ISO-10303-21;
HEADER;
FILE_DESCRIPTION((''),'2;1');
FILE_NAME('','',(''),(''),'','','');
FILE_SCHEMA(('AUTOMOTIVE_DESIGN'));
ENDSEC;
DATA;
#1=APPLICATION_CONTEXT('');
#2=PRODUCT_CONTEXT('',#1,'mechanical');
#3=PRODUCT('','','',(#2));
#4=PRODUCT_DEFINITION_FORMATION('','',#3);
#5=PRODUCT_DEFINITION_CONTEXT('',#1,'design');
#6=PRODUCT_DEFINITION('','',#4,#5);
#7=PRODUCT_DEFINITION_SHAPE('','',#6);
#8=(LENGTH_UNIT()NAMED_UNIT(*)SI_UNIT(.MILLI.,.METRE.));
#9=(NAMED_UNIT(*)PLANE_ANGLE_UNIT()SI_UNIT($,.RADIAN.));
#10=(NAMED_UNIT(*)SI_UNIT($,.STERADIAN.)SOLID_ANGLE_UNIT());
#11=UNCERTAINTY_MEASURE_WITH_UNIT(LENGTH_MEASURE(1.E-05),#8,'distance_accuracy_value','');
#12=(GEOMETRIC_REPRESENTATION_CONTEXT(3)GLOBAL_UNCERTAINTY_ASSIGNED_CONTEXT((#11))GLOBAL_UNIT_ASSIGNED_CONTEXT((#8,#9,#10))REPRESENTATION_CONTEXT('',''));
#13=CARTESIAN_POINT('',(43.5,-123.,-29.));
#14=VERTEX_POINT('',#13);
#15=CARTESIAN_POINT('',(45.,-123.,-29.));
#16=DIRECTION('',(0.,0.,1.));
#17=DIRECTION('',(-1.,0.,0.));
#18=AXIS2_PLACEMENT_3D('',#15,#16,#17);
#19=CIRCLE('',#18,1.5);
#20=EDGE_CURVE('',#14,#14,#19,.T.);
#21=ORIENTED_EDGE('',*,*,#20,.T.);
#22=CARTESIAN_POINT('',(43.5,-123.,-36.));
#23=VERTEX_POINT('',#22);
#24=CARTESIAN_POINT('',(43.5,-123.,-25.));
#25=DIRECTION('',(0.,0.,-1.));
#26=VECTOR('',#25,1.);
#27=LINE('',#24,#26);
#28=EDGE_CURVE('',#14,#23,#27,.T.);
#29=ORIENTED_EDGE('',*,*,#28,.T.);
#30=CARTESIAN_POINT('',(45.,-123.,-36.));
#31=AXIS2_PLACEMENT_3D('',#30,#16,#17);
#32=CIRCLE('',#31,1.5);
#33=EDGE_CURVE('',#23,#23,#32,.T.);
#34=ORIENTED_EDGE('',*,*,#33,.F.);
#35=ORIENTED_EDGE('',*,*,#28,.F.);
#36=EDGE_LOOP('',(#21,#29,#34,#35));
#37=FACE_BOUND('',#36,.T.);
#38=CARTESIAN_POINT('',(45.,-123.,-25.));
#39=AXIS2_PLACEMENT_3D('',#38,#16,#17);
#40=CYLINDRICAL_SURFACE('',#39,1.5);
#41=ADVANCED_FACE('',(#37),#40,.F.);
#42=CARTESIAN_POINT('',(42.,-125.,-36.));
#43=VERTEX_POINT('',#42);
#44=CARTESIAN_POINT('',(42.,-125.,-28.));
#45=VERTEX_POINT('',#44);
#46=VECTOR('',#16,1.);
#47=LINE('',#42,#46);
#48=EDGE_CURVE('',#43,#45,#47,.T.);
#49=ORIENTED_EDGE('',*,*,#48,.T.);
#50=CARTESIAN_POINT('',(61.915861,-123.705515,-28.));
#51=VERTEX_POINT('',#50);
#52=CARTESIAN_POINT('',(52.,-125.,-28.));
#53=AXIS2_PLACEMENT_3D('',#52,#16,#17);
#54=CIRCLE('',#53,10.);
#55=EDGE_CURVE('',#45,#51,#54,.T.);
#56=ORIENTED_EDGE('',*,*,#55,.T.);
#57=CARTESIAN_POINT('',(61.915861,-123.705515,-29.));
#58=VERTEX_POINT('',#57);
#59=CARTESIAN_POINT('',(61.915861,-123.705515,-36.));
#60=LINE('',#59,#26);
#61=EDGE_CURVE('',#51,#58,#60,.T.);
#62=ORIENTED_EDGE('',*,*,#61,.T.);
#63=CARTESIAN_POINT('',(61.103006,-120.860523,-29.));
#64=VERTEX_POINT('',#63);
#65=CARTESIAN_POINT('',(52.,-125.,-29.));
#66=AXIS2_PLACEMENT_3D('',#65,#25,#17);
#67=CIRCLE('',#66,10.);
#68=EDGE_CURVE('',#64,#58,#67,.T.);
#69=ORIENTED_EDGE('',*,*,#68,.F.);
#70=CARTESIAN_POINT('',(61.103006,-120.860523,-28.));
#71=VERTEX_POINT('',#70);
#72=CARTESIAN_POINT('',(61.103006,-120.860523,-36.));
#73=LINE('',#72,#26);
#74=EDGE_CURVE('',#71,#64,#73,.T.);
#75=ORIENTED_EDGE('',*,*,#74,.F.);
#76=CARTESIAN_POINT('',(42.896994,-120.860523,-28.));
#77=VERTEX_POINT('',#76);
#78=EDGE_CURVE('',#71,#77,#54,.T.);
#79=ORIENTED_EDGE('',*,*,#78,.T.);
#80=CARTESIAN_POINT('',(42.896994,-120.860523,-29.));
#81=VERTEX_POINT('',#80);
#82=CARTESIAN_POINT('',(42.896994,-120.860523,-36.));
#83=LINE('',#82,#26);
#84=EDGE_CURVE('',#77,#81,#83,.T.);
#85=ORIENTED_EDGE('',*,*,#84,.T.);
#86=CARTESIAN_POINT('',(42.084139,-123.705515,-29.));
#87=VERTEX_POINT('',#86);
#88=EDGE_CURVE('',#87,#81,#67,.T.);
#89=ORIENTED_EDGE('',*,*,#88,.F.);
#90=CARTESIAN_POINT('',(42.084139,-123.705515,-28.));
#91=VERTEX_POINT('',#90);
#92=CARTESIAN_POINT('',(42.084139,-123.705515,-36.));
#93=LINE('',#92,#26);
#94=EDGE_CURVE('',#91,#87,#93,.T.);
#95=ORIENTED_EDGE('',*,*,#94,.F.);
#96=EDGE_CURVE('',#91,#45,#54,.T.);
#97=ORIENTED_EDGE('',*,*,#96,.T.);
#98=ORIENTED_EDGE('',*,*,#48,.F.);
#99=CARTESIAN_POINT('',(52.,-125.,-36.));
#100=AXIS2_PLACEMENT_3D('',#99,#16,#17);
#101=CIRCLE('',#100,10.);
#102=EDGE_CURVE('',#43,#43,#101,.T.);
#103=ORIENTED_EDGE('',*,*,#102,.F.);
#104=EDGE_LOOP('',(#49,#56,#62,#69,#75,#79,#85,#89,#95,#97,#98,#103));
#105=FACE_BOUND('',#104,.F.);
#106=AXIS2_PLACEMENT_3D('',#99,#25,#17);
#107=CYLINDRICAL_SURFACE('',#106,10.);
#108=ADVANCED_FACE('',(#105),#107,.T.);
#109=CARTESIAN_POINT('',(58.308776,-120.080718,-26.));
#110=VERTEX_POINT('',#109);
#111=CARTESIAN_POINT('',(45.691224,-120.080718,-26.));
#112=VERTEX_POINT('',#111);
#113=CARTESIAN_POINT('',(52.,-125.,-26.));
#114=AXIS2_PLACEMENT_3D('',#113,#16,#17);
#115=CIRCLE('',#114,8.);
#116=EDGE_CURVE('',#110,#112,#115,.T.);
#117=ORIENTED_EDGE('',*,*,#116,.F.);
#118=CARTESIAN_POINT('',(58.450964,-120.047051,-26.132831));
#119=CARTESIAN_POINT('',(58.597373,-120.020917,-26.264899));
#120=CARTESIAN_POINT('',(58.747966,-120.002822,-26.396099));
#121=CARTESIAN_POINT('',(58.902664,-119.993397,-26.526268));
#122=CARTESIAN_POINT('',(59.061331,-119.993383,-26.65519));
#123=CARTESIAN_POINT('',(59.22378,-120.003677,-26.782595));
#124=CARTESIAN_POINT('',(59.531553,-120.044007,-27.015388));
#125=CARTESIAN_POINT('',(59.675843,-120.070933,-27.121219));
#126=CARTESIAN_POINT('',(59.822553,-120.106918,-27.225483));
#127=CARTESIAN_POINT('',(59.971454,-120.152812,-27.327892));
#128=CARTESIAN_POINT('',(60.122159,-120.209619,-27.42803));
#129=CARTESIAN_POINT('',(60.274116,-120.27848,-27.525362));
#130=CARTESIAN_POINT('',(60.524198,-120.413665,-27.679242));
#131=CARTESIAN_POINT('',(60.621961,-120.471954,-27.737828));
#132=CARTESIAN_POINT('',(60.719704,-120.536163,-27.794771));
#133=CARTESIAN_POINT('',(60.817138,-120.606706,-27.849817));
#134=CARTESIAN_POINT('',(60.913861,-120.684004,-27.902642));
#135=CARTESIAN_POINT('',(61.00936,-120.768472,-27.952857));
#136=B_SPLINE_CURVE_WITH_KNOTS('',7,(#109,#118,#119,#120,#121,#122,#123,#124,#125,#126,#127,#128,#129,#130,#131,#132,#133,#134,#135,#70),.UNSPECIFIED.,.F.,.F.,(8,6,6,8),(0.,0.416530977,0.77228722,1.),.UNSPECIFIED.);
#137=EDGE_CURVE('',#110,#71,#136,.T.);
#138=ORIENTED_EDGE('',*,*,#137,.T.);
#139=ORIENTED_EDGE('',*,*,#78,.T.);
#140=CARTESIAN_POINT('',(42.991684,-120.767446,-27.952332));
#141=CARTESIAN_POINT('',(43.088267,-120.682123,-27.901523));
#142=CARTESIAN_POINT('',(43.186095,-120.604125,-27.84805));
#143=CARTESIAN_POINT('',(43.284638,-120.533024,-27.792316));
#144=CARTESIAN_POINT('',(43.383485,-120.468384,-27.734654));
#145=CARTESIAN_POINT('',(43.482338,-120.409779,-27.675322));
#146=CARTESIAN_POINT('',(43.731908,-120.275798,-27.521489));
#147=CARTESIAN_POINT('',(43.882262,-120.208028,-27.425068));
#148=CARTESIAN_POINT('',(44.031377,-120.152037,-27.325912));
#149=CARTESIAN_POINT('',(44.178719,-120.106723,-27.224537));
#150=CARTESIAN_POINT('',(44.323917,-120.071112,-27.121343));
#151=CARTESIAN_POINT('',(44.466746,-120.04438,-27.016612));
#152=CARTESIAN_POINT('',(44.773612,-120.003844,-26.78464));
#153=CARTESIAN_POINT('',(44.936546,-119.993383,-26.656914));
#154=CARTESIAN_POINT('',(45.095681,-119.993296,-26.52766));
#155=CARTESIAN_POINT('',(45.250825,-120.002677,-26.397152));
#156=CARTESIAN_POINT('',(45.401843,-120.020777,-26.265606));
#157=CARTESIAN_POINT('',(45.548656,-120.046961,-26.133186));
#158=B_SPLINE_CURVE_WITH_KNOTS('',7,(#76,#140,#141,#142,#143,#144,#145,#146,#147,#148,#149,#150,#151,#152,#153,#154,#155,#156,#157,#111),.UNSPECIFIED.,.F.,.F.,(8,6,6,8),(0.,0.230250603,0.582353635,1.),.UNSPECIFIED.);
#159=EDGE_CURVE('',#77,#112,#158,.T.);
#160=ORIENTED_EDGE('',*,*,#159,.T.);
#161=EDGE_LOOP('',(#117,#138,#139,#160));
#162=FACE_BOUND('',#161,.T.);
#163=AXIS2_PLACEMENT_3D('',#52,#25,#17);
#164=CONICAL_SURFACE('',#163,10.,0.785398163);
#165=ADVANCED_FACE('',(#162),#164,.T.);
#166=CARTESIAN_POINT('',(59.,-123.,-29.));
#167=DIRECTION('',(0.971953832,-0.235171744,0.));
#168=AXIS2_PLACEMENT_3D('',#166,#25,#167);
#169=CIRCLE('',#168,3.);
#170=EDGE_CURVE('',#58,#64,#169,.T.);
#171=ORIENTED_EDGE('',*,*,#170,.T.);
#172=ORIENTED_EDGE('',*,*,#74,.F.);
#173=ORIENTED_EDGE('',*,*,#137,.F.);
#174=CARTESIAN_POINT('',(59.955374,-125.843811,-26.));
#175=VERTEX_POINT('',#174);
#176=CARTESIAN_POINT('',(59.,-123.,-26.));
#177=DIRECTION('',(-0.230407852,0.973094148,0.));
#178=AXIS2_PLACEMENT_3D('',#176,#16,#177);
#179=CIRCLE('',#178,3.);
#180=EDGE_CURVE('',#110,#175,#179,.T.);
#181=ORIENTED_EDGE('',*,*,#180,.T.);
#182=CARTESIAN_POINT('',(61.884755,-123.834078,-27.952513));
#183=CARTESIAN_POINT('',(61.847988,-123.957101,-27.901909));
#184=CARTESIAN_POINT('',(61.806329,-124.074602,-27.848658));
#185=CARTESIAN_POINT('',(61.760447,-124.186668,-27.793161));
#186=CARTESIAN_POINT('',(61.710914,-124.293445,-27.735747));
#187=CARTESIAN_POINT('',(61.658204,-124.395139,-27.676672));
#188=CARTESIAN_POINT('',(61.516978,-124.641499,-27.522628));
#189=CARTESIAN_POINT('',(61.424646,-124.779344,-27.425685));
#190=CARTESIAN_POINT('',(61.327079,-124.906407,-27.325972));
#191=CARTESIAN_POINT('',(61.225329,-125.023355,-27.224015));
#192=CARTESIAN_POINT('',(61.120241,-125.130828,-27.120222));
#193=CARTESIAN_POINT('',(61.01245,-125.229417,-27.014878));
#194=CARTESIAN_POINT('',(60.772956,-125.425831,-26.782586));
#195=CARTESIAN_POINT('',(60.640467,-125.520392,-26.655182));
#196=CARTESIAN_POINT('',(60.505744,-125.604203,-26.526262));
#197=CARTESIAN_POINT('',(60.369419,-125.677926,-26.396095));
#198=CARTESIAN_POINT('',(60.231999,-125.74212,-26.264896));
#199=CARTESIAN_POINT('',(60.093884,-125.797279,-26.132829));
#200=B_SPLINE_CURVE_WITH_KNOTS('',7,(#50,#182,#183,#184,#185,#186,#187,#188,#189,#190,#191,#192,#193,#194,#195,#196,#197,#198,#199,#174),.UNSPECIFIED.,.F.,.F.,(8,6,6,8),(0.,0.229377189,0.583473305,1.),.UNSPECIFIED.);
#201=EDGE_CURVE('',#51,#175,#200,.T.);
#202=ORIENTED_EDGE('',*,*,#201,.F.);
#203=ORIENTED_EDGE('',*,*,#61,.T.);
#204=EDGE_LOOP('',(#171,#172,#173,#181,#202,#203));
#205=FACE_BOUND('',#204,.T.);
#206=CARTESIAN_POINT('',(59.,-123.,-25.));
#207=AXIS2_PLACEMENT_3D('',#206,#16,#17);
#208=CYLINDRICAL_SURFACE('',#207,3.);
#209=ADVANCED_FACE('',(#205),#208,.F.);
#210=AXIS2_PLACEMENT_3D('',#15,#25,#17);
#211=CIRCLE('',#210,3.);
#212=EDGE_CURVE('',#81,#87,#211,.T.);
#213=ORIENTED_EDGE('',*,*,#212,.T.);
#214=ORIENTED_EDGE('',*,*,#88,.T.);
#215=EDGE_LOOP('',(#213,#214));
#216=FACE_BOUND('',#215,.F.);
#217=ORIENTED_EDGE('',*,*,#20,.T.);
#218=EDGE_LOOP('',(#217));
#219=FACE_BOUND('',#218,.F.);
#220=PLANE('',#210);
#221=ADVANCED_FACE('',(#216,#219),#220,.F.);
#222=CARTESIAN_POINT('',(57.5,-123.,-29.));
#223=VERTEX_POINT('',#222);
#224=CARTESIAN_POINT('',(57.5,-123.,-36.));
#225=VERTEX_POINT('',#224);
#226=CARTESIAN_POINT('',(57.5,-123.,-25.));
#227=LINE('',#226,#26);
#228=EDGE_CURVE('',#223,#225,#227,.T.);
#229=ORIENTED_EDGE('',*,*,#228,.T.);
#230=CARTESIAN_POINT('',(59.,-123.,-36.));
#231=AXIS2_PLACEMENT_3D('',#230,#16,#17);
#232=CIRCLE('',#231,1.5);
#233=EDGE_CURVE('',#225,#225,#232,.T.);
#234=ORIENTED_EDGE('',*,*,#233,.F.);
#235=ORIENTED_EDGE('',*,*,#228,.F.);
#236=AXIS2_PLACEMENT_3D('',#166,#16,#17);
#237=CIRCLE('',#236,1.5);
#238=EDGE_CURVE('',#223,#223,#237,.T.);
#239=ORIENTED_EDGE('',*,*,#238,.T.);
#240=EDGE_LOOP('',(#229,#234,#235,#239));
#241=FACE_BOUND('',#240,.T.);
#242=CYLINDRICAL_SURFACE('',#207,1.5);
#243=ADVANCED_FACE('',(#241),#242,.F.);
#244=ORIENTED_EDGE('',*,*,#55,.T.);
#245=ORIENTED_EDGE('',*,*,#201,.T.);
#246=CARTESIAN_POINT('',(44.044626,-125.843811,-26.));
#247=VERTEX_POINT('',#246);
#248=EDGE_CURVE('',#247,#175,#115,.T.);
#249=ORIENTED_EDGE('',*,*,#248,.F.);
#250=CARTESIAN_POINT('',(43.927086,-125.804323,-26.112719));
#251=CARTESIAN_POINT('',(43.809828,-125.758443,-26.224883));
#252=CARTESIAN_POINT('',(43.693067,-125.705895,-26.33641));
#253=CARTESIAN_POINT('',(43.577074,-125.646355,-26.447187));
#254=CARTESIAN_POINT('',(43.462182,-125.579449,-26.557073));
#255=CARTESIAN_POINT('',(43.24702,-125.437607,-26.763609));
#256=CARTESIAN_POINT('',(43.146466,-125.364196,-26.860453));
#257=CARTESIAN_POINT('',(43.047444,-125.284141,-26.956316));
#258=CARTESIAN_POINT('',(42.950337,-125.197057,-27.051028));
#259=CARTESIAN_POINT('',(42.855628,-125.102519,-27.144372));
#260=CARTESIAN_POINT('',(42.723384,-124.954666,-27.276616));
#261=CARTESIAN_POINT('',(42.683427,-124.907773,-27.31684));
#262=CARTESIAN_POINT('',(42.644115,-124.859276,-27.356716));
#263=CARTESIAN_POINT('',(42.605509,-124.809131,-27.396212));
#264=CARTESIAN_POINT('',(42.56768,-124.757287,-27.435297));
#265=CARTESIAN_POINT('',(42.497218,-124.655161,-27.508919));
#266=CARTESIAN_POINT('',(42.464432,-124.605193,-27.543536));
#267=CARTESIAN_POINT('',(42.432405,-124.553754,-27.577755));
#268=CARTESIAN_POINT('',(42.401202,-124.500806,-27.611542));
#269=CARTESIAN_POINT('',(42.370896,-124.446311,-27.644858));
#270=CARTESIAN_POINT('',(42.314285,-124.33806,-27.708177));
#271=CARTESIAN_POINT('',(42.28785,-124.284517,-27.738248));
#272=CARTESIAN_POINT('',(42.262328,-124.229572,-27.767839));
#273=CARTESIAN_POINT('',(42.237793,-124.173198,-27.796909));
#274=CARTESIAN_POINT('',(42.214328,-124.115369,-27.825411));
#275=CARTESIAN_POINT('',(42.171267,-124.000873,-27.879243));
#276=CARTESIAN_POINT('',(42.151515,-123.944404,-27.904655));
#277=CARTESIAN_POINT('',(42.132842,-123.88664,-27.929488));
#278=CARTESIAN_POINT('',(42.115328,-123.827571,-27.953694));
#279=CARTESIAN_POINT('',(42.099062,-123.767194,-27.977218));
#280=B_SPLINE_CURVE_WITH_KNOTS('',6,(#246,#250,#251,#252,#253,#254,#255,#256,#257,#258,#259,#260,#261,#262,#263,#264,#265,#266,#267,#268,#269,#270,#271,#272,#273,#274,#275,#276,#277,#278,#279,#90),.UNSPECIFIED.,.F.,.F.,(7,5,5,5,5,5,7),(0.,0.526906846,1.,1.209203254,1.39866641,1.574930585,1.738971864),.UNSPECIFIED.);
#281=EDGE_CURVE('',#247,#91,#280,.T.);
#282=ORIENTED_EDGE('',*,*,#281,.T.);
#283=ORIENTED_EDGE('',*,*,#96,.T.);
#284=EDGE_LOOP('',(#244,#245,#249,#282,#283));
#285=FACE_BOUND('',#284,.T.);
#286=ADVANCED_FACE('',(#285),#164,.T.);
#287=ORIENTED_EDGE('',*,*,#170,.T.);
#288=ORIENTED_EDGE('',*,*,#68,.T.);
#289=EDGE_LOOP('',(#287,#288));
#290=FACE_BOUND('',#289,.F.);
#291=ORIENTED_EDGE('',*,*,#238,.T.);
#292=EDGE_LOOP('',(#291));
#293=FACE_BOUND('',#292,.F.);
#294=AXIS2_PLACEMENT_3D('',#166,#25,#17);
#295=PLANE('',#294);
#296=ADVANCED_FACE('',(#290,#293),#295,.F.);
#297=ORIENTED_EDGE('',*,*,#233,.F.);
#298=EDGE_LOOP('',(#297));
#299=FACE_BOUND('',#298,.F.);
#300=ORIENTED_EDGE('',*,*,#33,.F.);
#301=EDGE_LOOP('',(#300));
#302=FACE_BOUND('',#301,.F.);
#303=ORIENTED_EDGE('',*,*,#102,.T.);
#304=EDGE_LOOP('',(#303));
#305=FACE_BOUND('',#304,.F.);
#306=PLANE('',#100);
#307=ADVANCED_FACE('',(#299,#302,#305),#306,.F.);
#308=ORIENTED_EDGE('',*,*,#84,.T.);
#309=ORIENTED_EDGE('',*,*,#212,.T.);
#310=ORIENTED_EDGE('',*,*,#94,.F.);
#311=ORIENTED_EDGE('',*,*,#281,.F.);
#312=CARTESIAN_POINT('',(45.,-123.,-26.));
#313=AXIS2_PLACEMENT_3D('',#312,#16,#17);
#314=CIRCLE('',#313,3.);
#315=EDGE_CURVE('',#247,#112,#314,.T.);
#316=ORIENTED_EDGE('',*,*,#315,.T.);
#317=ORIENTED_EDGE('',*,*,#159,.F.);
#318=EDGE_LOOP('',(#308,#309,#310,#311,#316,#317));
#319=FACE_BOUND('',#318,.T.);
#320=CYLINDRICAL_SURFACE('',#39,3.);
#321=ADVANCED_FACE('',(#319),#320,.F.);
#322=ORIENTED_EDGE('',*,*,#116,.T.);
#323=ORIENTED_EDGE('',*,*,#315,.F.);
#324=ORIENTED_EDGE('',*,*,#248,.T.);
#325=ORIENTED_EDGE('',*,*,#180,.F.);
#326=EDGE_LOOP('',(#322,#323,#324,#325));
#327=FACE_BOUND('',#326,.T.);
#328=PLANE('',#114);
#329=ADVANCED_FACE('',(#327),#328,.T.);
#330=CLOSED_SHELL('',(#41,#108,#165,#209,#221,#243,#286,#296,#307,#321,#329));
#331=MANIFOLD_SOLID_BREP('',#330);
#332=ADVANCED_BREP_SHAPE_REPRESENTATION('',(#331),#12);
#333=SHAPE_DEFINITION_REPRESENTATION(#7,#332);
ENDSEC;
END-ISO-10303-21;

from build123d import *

# Parameters (mm, degrees)
CYLINDER2357_R              = 1.5
CYLINDER2357_DEPTH          = 20
CYLINDER2367_R              = 1.5
CYLINDER2367_DEPTH          = 20
CYLINDER2363_R              = 1.5
CYLINDER2363_DEPTH          = 20
CYLINDER2378_R              = 1.5
CYLINDER2378_DEPTH          = 20
COMPOUND999_PLACEMENT_ANGLE = 90
CYLINDER2373_R              = 3
CYLINDER2373_DEPTH          = 4
CYLINDER2360_R              = 3
CYLINDER2360_DEPTH          = 4
CYLINDER2362_R              = 3
CYLINDER2362_DEPTH          = 4
CYLINDER2361_R              = 3
CYLINDER2361_DEPTH          = 4
COMPOUND994_PLACEMENT_ANGLE = 90
CYLINDER2359_R              = 10
CYLINDER2359_DEPTH          = 10
CHAMFER057_SIZE             = 2
CUT596_PLACEMENT_ANGLE      = 180


with BuildPart() as v_lec2357:
    # Cylinder2357 → Cylinder2357 (new body)
    with BuildSketch(Plane(origin=(-7, -34, 37), x_dir=(1, 0, 0), z_dir=(0, -1, 0))):
        Circle(CYLINDER2357_R)
    extrude(amount=CYLINDER2357_DEPTH)


with BuildPart() as v_lec2367:
    # Cylinder2367 → Cylinder2367 (new body)
    with BuildSketch(Plane(origin=(7, -34, 73), x_dir=(1, 0, 0), z_dir=(0, -1, 0))):
        Circle(CYLINDER2367_R)
    extrude(amount=CYLINDER2367_DEPTH)


with BuildPart() as v_lec2363:
    # Cylinder2363 → Cylinder2363 (new body)
    with BuildSketch(Plane(origin=(-7, -34, 73), x_dir=(1, 0, 0), z_dir=(0, -1, 0))):
        Circle(CYLINDER2363_R)
    extrude(amount=CYLINDER2363_DEPTH)


with BuildPart() as compound999:
    # Cylinder2378 → Cylinder2378 (new body)
    with BuildSketch(Plane(origin=(7, -34, 37), x_dir=(1, 0, 0), z_dir=(0, -1, 0))):
        Circle(CYLINDER2378_R)
    extrude(amount=CYLINDER2378_DEPTH)

    # Compound999: union Válec2357, Válec2367, Válec2363
    add(v_lec2357.part)
    add(v_lec2367.part)
    add(v_lec2363.part)


with BuildPart() as compound999_1:
    # Compound999 placement: moved
    add(compound999.part.moved(Location((0, 141, 45))).rotate(Axis((0, 141, 45), (1, 0, 0)), COMPOUND999_PLACEMENT_ANGLE))


with BuildPart() as v_lec2373:
    # Cylinder2373 → Cylinder2373 (new body)
    with BuildSketch(Plane(origin=(-7, -34, 37), x_dir=(1, 0, 0), z_dir=(0, -1, 0))):
        Circle(CYLINDER2373_R)
    extrude(amount=CYLINDER2373_DEPTH)


with BuildPart() as v_lec2360:
    # Cylinder2360 → Cylinder2360 (new body)
    with BuildSketch(Plane(origin=(7, -34, 73), x_dir=(1, 0, 0), z_dir=(0, -1, 0))):
        Circle(CYLINDER2360_R)
    extrude(amount=CYLINDER2360_DEPTH)


with BuildPart() as v_lec2362:
    # Cylinder2362 → Cylinder2362 (new body)
    with BuildSketch(Plane(origin=(-7, -34, 73), x_dir=(1, 0, 0), z_dir=(0, -1, 0))):
        Circle(CYLINDER2362_R)
    extrude(amount=CYLINDER2362_DEPTH)


with BuildPart() as compound994:
    # Cylinder2361 → Cylinder2361 (new body)
    with BuildSketch(Plane(origin=(7, -34, 37), x_dir=(1, 0, 0), z_dir=(0, -1, 0))):
        Circle(CYLINDER2361_R)
    extrude(amount=CYLINDER2361_DEPTH)

    # Compound994: union Válec2373, Válec2360, Válec2362
    add(v_lec2373.part)
    add(v_lec2360.part)
    add(v_lec2362.part)


with BuildPart() as compound994_1:
    # Compound994 placement: moved
    add(compound994.part.moved(Location((0, 141, 45))).rotate(Axis((0, 141, 45), (1, 0, 0)), COMPOUND994_PLACEMENT_ANGLE))


with BuildPart() as cut596:
    # Cylinder2359 → Cylinder2359 (new body)
    with BuildSketch(Plane(origin=(0, 106, 0), x_dir=(1, 0, 0), z_dir=(0, 0, 1))):
        Circle(CYLINDER2359_R)
    extrude(amount=CYLINDER2359_DEPTH)

    # Chamfer057
    chamfer057_edges = [cut596.edges().sort_by_distance(p)[0] for p in [
        (-10, 106, 10),
    ]]
    chamfer(chamfer057_edges, length=CHAMFER057_SIZE)

    # Cut595: cut Compound994
    add(compound994_1.part, mode=Mode.SUBTRACT)

    # Cut596: cut Compound999
    add(compound999_1.part, mode=Mode.SUBTRACT)


with BuildPart() as cut596_1:
    # Cut596 placement: moved
    add(cut596.part.moved(Location((52, -19, -36))).rotate(Axis((52, -19, -36), (0, 0, 1)), CUT596_PLACEMENT_ANGLE))


solid = cut596_1.part
